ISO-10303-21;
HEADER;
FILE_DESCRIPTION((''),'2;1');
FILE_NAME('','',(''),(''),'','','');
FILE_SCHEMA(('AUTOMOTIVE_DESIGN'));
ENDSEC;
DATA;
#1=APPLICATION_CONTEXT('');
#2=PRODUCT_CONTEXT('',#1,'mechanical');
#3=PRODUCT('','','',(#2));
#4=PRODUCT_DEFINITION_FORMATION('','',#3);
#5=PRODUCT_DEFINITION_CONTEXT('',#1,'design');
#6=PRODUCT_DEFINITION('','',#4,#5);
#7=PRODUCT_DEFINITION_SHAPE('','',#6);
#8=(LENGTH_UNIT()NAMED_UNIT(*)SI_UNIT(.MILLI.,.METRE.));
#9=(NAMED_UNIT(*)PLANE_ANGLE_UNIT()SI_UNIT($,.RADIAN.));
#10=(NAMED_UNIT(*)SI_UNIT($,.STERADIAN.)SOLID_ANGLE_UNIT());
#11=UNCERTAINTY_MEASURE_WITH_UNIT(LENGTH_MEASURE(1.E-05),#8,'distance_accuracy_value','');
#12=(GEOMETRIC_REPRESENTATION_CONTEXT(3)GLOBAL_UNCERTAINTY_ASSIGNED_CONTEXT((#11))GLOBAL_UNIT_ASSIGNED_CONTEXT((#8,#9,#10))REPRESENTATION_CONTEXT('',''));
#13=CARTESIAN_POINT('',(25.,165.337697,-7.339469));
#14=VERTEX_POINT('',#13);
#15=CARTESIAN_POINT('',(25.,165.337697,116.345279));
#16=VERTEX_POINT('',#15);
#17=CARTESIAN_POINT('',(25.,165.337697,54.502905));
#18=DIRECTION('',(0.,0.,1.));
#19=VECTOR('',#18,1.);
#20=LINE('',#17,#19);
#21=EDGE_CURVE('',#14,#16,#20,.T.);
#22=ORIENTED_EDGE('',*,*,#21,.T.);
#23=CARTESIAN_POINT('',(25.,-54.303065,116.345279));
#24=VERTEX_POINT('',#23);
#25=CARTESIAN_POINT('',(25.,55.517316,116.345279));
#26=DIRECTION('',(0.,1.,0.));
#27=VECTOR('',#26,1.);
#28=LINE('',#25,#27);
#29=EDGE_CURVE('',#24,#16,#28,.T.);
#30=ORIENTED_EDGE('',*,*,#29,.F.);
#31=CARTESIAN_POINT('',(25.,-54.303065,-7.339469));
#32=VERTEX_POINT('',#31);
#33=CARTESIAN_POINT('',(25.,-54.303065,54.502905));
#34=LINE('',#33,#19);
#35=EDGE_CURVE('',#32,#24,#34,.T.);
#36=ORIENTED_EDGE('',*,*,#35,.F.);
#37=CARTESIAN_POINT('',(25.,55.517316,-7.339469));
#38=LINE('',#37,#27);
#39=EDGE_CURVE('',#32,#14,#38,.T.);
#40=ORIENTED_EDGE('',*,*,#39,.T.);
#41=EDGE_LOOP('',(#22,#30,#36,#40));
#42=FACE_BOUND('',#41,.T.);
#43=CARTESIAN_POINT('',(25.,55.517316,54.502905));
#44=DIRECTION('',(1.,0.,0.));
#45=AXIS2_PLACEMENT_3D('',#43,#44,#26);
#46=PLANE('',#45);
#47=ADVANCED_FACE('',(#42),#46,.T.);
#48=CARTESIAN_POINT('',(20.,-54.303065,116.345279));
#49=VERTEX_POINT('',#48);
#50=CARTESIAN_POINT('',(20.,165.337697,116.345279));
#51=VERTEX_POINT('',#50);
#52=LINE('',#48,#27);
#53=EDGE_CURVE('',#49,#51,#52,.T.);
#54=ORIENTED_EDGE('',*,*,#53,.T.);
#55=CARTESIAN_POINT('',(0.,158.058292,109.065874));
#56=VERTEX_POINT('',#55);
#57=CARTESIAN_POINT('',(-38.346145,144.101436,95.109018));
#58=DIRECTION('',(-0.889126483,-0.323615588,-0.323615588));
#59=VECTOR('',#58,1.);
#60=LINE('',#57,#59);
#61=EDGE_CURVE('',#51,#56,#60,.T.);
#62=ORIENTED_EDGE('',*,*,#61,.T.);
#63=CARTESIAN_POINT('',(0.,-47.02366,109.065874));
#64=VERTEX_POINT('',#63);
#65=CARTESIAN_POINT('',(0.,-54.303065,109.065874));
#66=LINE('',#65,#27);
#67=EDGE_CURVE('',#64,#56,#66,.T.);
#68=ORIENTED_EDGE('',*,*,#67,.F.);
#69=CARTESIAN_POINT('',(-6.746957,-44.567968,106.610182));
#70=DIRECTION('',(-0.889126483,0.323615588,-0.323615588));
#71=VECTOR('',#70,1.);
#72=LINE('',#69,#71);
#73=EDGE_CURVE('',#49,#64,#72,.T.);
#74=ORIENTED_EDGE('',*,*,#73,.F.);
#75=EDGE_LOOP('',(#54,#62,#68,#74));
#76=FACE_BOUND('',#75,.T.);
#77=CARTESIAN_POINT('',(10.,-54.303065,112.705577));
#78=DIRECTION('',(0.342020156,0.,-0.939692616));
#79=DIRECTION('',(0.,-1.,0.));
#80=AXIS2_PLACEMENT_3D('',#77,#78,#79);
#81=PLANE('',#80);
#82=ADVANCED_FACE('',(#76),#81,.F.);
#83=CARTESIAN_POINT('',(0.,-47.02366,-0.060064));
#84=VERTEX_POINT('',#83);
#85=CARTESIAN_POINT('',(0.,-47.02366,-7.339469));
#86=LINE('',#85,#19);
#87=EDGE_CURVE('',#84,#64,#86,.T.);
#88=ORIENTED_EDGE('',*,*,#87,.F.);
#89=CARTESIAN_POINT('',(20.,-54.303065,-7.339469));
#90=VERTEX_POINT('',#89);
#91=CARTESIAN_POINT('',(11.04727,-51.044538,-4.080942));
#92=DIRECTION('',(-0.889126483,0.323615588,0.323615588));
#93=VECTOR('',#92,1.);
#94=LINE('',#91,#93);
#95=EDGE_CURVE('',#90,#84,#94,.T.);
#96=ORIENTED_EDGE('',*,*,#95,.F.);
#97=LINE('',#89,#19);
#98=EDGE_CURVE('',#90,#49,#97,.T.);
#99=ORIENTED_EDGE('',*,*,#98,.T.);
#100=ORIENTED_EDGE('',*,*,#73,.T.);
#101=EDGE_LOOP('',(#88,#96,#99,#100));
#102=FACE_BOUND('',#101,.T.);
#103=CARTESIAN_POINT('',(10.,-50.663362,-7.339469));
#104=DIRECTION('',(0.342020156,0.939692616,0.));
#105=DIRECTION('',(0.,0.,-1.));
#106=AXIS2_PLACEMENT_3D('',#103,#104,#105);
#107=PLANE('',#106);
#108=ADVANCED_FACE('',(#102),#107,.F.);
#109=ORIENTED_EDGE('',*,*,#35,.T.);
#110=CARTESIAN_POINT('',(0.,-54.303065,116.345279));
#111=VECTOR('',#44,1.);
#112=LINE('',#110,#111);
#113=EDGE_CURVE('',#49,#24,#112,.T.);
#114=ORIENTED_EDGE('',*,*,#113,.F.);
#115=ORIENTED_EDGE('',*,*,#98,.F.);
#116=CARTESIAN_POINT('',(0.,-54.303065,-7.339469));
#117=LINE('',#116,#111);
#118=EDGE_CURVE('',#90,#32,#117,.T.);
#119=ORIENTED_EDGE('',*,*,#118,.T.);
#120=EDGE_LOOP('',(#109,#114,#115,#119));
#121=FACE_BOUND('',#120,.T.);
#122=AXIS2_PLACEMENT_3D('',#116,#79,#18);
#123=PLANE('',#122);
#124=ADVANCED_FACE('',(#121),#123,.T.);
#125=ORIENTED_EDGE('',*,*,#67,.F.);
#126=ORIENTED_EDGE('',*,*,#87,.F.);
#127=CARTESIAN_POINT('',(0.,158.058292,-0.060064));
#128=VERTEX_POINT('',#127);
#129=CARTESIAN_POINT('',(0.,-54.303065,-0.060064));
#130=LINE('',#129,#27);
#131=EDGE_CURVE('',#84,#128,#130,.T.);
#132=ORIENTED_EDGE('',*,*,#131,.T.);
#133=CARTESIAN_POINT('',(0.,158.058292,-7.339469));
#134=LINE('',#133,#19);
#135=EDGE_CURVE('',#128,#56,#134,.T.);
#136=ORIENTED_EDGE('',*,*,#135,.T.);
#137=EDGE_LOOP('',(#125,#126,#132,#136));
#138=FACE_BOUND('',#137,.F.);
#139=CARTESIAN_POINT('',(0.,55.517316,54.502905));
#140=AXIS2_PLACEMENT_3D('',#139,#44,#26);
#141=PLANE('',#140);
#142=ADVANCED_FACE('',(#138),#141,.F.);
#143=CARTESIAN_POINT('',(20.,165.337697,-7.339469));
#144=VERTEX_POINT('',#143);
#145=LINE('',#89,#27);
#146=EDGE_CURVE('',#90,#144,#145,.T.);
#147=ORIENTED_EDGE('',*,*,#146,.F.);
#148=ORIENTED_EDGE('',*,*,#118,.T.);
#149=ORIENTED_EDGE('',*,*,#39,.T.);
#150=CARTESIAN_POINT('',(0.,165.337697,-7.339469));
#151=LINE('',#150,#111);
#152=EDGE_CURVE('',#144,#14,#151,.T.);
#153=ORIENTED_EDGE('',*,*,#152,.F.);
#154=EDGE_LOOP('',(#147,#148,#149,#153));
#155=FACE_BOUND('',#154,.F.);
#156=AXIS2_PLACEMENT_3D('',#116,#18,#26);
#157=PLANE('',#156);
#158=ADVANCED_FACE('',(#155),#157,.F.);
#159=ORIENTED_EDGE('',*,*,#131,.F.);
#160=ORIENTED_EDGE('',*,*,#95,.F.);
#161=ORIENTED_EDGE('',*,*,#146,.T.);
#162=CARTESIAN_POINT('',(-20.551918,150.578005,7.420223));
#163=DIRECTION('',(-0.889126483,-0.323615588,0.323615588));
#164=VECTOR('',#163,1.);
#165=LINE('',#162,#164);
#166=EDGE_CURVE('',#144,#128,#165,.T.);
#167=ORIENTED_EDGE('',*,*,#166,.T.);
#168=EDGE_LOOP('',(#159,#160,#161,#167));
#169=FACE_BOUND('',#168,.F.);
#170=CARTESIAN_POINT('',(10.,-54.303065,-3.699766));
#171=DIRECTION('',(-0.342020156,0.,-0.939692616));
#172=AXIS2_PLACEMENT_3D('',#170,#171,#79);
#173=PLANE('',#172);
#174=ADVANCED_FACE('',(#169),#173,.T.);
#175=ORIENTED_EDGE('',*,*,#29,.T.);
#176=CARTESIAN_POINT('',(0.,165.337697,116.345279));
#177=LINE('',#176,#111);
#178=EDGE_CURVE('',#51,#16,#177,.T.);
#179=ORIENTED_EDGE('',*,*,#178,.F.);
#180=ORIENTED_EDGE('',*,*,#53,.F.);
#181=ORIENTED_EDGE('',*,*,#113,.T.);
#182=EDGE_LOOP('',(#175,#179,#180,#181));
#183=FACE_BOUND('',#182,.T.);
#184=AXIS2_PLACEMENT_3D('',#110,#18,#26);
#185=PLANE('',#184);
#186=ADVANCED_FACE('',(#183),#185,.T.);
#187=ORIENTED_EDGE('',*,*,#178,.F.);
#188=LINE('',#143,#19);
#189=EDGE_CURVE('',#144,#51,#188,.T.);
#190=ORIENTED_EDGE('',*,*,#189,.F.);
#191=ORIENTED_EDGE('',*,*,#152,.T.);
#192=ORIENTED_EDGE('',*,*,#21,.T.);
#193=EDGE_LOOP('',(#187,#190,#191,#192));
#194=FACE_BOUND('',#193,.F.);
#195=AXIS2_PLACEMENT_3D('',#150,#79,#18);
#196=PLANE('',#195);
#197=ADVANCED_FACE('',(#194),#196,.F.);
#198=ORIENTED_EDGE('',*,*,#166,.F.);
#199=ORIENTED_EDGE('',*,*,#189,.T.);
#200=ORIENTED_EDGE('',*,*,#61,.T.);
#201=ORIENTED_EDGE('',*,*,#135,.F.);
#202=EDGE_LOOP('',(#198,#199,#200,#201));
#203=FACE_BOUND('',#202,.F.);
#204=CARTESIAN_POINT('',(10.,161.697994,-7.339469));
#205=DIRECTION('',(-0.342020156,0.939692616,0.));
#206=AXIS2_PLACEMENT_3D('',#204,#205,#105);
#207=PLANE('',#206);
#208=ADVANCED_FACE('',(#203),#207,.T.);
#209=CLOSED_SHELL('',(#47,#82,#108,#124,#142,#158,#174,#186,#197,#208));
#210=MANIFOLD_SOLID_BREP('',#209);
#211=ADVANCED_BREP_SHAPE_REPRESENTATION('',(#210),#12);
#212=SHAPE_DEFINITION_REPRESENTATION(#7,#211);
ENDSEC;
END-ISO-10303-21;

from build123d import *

# Parameters (mm, degrees)
F0_W     = 219.640762
F0_H     = 123.684748
F1_DEPTH = 25
F2_SIZE2 = 7.279405
F2_SIZE  = 20


with BuildPart() as f1:
    # F0 (on Right) → F1 (new body)
    with BuildSketch(Plane.YZ):
        with Locations((55.517316, 54.502905)):
            Rectangle(F0_W, F0_H)
    extrude(amount=F1_DEPTH)

    # F2
    f2_edges = [f1.edges().sort_by_distance(p)[0] for p in [
        (0, 165.337697, 54.502905),
        (0, 55.517316, 116.345279),
        (0, -54.303065, 54.502905),
        (0, 55.517316, -7.339469),
    ]]
    chamfer(f2_edges, length=F2_SIZE, length2=F2_SIZE2)


solid = f1.part
